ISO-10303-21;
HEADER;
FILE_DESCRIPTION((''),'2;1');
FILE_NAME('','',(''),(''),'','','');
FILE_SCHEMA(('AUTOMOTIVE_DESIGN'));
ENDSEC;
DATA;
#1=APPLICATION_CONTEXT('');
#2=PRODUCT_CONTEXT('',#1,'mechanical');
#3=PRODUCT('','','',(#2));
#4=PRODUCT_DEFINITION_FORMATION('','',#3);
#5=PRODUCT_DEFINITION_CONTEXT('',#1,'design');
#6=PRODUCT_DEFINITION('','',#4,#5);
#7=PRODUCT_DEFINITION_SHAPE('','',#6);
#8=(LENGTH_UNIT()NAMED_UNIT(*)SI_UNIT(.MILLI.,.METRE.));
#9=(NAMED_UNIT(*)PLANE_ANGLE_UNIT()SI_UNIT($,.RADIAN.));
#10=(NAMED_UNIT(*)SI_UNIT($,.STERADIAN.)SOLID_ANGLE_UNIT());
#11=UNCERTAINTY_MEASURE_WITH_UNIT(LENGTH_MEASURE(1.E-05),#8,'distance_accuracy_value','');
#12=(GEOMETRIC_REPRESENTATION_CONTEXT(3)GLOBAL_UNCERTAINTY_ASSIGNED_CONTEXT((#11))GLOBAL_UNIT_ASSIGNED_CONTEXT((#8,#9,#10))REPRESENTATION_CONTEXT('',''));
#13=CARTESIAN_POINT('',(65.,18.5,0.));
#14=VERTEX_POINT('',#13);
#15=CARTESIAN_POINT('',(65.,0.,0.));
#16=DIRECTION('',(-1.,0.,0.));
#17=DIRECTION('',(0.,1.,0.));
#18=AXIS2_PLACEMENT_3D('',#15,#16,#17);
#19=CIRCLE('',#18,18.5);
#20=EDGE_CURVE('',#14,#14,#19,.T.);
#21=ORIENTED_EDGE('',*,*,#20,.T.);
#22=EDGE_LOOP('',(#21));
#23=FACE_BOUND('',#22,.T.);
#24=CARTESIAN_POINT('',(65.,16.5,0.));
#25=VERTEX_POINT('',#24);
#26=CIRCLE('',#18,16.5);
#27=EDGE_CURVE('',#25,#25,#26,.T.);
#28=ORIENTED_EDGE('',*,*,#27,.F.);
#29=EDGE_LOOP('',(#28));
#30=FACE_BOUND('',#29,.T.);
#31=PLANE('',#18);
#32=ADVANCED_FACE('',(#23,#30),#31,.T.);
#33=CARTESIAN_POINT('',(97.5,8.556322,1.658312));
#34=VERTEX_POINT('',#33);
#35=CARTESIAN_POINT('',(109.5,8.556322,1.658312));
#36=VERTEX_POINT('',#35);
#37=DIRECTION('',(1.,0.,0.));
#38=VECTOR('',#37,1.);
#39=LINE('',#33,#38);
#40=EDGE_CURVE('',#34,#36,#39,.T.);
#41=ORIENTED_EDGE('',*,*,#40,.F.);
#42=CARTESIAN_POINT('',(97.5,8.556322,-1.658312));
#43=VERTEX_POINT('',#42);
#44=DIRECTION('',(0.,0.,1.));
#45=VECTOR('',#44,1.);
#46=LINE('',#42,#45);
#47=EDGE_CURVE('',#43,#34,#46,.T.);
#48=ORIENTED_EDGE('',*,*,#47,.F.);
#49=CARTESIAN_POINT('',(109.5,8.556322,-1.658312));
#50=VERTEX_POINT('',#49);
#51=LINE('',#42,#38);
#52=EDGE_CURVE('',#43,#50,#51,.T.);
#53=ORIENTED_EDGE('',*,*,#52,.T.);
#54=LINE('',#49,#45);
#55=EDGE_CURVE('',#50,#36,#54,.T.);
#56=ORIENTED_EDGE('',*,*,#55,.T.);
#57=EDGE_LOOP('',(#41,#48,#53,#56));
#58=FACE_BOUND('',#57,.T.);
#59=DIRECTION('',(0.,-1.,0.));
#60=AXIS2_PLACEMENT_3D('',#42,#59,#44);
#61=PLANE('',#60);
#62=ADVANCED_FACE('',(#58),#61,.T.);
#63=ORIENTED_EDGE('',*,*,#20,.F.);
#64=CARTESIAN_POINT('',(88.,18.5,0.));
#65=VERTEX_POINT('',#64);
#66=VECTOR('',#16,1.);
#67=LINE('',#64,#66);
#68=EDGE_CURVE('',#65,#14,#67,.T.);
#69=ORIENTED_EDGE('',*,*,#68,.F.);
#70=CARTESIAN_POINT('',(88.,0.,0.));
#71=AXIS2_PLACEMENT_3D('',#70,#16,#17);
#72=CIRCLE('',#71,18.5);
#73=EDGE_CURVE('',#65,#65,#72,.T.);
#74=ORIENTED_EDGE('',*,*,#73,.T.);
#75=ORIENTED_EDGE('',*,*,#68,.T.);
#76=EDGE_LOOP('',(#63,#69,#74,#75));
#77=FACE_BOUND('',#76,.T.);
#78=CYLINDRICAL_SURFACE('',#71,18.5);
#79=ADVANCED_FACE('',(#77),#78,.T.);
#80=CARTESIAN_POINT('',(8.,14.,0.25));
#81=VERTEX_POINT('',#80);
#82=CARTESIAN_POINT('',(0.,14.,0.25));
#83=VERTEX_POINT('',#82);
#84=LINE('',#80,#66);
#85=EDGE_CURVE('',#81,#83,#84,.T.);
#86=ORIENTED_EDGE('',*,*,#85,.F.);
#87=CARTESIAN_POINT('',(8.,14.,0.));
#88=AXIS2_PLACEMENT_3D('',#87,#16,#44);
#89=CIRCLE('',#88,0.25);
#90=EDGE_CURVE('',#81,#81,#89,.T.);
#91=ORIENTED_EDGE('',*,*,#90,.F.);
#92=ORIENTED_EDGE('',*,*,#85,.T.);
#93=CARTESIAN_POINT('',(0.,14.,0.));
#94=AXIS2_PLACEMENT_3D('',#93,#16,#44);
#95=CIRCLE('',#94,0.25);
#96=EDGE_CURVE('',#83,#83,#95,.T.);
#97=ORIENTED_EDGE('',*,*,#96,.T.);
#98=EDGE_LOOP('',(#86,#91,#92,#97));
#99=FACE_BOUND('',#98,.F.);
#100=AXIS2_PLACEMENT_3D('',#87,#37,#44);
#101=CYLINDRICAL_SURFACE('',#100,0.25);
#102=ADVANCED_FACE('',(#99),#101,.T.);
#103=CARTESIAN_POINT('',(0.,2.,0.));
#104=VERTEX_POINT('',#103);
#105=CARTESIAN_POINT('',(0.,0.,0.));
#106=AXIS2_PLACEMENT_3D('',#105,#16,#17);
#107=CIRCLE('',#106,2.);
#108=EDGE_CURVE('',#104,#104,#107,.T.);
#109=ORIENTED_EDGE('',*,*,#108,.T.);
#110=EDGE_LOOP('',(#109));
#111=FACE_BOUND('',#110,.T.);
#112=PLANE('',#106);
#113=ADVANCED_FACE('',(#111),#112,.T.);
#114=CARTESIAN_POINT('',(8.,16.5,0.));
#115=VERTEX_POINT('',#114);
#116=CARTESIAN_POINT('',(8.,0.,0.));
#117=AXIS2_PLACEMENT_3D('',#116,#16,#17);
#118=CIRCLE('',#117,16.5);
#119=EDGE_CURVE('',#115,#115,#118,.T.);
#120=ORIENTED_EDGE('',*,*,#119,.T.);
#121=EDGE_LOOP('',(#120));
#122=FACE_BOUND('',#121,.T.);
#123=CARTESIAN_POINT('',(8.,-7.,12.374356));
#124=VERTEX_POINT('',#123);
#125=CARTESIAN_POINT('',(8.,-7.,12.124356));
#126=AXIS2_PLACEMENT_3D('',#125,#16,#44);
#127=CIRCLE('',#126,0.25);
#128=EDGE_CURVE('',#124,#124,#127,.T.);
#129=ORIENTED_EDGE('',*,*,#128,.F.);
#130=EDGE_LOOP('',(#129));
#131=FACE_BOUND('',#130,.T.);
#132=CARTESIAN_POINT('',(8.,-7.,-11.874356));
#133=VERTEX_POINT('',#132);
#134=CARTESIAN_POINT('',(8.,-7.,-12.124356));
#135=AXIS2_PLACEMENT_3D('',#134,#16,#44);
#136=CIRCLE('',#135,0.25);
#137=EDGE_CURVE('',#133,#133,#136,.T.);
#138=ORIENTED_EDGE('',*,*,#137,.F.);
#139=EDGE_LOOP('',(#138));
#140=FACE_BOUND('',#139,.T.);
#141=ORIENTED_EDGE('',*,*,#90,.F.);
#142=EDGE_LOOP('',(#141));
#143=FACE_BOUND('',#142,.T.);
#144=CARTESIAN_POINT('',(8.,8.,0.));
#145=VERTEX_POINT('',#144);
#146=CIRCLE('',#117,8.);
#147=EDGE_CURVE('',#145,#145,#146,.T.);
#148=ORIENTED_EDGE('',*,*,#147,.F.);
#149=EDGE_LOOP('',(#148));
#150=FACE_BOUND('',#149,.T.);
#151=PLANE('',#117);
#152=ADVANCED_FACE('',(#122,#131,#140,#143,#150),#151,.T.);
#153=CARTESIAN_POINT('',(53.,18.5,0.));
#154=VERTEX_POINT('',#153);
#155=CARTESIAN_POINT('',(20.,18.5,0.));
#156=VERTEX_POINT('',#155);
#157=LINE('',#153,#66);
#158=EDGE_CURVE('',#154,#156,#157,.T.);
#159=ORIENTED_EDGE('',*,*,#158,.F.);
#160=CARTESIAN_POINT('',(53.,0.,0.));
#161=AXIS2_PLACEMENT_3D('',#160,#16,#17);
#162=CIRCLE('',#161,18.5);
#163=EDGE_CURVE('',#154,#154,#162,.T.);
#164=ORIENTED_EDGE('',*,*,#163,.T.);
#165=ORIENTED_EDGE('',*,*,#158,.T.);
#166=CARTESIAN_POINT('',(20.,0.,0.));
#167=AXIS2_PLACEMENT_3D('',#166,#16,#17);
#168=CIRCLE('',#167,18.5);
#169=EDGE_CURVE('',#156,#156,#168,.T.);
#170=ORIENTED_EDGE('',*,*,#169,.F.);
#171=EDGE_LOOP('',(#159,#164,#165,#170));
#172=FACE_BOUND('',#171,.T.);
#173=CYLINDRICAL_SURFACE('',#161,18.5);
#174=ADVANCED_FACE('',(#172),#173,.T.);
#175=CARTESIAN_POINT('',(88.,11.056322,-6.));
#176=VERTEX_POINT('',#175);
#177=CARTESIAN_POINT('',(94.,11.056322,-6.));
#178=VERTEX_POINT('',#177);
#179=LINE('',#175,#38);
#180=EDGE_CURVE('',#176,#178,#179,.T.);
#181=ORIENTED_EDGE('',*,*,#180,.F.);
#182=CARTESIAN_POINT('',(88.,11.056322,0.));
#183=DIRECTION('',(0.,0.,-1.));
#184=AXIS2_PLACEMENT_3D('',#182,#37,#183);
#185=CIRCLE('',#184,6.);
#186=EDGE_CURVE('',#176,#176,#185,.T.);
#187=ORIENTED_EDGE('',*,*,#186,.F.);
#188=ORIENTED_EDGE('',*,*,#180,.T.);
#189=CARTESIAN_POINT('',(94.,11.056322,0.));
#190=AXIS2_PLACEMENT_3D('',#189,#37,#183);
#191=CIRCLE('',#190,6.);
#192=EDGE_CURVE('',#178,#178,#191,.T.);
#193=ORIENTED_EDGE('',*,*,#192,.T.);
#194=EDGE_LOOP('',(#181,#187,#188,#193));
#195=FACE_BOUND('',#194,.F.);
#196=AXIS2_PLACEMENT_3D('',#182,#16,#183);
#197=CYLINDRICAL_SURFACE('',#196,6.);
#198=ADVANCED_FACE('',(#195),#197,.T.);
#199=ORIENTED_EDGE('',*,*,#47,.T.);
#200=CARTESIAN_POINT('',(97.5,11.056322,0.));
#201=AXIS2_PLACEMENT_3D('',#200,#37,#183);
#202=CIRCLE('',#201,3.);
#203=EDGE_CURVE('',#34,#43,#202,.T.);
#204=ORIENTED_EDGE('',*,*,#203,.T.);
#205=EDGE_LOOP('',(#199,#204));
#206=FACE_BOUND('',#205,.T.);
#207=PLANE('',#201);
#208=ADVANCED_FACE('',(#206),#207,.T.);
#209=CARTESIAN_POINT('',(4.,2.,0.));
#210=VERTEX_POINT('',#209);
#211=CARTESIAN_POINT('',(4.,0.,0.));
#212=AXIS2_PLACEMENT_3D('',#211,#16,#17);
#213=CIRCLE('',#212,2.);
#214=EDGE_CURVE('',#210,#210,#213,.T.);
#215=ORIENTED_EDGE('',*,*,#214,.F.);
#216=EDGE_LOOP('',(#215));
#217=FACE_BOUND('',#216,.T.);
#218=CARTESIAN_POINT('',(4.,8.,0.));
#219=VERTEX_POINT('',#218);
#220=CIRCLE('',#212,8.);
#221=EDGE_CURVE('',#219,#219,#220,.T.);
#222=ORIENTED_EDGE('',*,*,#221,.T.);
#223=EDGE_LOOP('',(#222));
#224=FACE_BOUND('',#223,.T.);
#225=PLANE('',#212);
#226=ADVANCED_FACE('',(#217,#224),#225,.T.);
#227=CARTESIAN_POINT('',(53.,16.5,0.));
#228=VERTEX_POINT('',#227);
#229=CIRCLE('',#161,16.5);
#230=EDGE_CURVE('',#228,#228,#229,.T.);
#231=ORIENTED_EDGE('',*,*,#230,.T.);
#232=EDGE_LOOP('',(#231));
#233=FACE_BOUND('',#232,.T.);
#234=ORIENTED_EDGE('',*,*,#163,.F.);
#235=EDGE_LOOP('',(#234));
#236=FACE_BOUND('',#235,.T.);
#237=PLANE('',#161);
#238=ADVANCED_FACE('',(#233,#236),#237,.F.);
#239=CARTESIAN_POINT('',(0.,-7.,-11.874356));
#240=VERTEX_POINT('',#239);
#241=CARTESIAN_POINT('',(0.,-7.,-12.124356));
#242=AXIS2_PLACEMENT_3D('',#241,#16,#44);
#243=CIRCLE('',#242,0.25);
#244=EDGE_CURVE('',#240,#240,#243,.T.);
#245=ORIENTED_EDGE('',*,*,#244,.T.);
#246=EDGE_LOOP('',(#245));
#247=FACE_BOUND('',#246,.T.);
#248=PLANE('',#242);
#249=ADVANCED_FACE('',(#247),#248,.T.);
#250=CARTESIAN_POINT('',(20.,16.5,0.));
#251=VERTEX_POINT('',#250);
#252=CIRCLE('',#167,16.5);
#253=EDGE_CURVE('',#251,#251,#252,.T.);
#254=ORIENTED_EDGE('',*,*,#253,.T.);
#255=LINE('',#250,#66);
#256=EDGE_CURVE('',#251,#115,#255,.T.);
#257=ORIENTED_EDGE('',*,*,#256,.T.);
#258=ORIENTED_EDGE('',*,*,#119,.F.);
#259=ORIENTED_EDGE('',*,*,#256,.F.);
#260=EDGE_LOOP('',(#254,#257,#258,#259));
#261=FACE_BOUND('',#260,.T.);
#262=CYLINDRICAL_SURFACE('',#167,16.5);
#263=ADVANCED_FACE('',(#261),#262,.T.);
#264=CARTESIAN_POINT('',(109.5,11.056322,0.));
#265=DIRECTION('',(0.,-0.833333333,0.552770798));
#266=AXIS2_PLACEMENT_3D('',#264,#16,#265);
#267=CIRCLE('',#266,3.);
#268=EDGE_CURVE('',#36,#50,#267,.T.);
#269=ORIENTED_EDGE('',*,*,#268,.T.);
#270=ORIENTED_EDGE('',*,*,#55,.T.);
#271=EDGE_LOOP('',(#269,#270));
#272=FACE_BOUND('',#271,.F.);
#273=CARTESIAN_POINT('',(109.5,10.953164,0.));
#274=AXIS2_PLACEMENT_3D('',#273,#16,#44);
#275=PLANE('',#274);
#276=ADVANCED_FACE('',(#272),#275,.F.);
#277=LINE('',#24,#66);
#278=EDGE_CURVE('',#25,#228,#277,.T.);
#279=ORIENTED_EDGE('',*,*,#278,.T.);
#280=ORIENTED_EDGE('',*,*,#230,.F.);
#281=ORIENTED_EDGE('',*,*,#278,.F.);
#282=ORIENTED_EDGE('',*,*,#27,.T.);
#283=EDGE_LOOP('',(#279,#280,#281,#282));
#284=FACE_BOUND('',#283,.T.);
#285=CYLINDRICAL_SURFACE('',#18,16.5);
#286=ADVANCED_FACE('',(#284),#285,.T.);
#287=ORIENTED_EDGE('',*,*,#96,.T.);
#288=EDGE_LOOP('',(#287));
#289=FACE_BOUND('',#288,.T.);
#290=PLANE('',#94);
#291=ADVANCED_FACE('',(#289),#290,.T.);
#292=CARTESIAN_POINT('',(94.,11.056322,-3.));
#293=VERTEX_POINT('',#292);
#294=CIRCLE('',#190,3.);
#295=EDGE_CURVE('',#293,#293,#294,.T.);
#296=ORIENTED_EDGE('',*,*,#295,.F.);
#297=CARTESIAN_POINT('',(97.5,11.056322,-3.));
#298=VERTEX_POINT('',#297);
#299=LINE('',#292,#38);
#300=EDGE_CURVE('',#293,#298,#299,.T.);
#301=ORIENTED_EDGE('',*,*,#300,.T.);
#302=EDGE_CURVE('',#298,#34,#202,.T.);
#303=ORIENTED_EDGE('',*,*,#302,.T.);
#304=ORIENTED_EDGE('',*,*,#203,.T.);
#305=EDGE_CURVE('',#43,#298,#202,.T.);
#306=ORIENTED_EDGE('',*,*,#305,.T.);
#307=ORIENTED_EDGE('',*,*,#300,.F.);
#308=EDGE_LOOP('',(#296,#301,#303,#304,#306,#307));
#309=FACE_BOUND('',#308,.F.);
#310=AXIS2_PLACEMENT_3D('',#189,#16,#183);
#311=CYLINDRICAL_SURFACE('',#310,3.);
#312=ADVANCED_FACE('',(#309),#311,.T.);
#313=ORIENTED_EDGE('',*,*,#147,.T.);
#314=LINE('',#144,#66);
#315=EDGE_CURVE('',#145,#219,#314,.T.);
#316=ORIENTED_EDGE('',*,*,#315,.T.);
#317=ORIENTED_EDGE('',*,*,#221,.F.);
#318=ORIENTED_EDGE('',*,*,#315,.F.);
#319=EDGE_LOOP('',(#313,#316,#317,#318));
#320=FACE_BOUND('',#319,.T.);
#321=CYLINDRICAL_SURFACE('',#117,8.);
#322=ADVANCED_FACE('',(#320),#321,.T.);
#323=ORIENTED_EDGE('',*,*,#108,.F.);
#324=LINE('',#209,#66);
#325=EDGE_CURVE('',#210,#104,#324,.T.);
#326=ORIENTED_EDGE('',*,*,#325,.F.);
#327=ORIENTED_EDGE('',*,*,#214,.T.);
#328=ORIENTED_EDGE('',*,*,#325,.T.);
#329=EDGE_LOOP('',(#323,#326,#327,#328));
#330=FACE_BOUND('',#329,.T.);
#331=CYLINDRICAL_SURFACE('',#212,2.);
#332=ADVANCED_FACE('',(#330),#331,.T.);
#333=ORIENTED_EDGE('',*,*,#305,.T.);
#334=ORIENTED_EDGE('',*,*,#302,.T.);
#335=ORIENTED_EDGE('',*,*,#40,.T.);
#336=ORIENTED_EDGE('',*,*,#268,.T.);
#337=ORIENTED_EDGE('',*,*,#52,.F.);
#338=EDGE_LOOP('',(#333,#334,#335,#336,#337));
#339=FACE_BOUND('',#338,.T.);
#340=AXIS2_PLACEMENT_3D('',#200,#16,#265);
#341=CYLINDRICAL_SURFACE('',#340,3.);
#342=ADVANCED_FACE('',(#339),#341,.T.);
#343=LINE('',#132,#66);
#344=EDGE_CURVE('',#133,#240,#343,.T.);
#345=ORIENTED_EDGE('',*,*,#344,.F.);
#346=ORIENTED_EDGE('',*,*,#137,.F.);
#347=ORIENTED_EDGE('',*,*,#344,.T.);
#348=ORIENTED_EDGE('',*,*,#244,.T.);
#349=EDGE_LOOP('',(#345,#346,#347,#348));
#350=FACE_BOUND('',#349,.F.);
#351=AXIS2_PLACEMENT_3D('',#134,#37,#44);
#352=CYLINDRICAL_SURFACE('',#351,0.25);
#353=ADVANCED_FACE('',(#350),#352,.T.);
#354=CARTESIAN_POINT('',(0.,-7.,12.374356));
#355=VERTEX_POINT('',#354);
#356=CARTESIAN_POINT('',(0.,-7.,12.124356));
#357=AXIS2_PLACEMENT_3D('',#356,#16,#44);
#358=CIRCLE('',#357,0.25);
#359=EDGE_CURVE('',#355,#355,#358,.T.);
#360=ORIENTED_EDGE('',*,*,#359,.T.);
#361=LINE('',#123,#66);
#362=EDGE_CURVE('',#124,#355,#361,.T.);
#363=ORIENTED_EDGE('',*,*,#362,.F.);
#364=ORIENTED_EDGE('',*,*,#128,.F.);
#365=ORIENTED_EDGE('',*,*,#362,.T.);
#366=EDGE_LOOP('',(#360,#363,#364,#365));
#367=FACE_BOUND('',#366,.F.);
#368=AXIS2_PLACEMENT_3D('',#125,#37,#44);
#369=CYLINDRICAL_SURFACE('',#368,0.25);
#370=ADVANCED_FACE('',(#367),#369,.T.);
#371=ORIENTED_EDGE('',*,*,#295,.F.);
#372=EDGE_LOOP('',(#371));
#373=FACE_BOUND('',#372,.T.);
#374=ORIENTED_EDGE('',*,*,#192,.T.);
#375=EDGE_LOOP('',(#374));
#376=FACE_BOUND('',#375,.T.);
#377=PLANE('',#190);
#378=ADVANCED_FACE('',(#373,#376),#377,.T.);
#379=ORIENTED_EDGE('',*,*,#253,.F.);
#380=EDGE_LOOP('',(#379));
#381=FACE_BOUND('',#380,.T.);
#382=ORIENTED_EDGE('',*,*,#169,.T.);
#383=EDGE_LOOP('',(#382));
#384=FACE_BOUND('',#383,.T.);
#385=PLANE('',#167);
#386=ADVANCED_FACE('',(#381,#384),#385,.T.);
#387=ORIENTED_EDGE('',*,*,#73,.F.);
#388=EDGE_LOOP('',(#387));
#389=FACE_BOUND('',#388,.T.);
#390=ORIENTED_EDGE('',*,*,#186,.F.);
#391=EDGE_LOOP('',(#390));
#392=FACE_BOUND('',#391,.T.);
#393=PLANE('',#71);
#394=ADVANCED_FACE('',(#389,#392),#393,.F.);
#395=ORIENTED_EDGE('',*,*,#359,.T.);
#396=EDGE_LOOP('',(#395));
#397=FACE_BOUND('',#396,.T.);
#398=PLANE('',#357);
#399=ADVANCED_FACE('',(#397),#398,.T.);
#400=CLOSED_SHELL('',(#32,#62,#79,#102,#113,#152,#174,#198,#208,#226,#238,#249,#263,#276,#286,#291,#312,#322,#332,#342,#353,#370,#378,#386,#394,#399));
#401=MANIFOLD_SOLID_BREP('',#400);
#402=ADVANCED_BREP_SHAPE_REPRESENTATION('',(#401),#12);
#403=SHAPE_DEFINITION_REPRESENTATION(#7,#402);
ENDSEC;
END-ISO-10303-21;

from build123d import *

# Parameters (mm, degrees)
SKETCH3_R           = 6
BOSS_EXTRUDE1_DEPTH = 6
SKETCH4_R           = 3
BOSS_EXTRUDE2_DEPTH = 3.5
BOSS_EXTRUDE3_DEPTH = 12
SKETCH6_R           = 0.25
BOSS_EXTRUDE4_DEPTH = 8


with BuildPart() as part:
    # Sketch2 → Revolve1 (revolve)
    with BuildSketch(Plane.XY):
        Polygon((88, 0), (88, 18.5), (65, 18.5), (65, 16.5), (53, 16.5), (53, 18.5), (20, 18.5), (20, 16.5), (8, 16.5), (8, 8), (4, 8), (4, 2), (0, 2), (0, 0), align=None)
    revolve(axis=Axis((88, 0, 0), (-1, 0, 0)))

    # Sketch3 → Boss-Extrude1 (add)
    with BuildSketch(Plane(origin=(88, 0, 0), x_dir=(0, 0, -1), z_dir=(1, 0, 0))):
        with Locations((0, 11.056321537)):
            Circle(SKETCH3_R)
    extrude(amount=BOSS_EXTRUDE1_DEPTH)

    # Sketch4 → Boss-Extrude2 (add)
    with BuildSketch(Plane(origin=(94, 0, 0), x_dir=(0, 0, -1), z_dir=(1, 0, 0))):
        with Locations((0, 11.056321537)):
            Circle(SKETCH4_R)
    extrude(amount=BOSS_EXTRUDE2_DEPTH)

    # Sketch5 → Boss-Extrude3 (add)
    with BuildSketch(Plane(origin=(97.5, 0, 0), x_dir=(0, 0, -1), z_dir=(1, 0, 0))):
        with BuildLine():
            Line((1.658312395, 8.556321537), (-1.658312395, 8.556321537))
            ThreePointArc((-1.658312395, 8.556321537), (0, 14.056321537), (1.658312395, 8.556321537))
        make_face()
    extrude(amount=BOSS_EXTRUDE3_DEPTH)

    # Sketch6 → Boss-Extrude4 (add)
    with BuildSketch(Plane.ZY.offset(-8)):
        with Locations((0, 14)):
            Circle(SKETCH6_R)
        with Locations((12.124355653, -7)):
            Circle(SKETCH6_R)
        with Locations((-12.124355653, -7)):
            Circle(SKETCH6_R)
    extrude(amount=BOSS_EXTRUDE4_DEPTH)


solid = part.part
